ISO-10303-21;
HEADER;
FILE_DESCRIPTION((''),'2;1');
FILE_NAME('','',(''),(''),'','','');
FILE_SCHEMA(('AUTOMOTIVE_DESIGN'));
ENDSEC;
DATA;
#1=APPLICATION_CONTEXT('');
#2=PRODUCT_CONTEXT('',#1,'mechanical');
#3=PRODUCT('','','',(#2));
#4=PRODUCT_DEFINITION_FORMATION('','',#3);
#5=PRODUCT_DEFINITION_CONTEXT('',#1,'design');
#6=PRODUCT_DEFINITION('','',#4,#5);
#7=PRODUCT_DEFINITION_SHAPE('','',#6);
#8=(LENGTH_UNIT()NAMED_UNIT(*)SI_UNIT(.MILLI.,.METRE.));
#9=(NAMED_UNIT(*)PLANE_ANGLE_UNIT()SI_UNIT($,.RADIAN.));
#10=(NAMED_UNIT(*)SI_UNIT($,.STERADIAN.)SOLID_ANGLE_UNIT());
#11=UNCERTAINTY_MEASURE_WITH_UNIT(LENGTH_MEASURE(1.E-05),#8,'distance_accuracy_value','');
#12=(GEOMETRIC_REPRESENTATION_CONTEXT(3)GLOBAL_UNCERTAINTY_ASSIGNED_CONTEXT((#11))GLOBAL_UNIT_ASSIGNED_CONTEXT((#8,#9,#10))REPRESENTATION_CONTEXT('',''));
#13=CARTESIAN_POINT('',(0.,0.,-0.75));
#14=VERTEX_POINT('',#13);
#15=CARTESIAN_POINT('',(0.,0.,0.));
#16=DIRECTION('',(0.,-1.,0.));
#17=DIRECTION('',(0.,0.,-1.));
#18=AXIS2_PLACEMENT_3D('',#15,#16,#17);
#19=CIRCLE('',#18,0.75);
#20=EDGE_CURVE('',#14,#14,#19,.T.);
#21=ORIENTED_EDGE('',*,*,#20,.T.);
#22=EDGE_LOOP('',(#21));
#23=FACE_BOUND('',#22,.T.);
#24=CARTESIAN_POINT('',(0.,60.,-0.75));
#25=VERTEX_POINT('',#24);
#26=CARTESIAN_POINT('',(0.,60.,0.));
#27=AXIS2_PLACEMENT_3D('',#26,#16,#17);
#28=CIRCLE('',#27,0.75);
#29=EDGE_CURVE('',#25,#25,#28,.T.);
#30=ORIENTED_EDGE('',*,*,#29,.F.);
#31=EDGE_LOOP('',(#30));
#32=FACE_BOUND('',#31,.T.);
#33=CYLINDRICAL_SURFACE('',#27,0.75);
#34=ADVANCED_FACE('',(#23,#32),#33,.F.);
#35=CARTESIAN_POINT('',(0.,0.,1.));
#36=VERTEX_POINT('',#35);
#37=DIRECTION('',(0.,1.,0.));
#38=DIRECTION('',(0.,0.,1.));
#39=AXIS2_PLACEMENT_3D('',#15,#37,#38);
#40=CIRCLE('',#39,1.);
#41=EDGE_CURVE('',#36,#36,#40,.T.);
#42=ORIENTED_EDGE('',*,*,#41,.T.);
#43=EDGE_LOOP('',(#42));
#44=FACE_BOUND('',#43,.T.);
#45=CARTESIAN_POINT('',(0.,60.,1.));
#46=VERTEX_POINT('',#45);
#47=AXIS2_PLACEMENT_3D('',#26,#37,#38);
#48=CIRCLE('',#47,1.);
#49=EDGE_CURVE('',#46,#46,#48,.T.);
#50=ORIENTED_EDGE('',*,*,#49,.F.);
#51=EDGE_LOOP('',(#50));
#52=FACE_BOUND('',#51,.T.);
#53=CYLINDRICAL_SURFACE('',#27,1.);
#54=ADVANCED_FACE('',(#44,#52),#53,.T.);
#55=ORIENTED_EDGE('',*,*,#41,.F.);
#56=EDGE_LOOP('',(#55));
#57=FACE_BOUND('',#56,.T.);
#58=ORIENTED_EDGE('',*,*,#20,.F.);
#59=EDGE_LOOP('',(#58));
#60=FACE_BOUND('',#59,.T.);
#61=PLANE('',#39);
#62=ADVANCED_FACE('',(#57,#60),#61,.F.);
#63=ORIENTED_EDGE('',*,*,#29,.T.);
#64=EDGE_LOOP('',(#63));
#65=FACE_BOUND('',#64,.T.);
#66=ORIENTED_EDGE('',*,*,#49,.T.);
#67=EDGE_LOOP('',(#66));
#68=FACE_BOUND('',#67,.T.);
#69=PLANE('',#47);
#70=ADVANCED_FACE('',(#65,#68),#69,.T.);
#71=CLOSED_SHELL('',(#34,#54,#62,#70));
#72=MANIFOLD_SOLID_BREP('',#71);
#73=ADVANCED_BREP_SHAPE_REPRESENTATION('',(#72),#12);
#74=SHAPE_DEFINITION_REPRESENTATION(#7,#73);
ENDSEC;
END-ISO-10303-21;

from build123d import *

# Parameters (mm, degrees)
SKETCH1_R           = 1
BOSS_EXTRUDE1_DEPTH = 60
SKETCH2_R           = 0.75
CUT_EXTRUDE1_DEPTH  = 60


with BuildPart() as part:
    # Sketch1 → Boss-Extrude1 (new body)
    with BuildSketch(Plane(origin=(0, 0, 0), x_dir=(1, 0, 0), z_dir=(0, 1, 0))):
        with Locations(Location((0, 0, 0), (0, 0, 270))):
            Circle(SKETCH1_R)
    extrude(amount=BOSS_EXTRUDE1_DEPTH)

    # Sketch2 → Cut-Extrude1 (cut)
    with BuildSketch(Plane.XZ):
        with Locations(Location((0, 0, 0), (0, 0, 270))):
            Circle(SKETCH2_R)
    extrude(amount=-CUT_EXTRUDE1_DEPTH, mode=Mode.SUBTRACT)


solid = part.part
